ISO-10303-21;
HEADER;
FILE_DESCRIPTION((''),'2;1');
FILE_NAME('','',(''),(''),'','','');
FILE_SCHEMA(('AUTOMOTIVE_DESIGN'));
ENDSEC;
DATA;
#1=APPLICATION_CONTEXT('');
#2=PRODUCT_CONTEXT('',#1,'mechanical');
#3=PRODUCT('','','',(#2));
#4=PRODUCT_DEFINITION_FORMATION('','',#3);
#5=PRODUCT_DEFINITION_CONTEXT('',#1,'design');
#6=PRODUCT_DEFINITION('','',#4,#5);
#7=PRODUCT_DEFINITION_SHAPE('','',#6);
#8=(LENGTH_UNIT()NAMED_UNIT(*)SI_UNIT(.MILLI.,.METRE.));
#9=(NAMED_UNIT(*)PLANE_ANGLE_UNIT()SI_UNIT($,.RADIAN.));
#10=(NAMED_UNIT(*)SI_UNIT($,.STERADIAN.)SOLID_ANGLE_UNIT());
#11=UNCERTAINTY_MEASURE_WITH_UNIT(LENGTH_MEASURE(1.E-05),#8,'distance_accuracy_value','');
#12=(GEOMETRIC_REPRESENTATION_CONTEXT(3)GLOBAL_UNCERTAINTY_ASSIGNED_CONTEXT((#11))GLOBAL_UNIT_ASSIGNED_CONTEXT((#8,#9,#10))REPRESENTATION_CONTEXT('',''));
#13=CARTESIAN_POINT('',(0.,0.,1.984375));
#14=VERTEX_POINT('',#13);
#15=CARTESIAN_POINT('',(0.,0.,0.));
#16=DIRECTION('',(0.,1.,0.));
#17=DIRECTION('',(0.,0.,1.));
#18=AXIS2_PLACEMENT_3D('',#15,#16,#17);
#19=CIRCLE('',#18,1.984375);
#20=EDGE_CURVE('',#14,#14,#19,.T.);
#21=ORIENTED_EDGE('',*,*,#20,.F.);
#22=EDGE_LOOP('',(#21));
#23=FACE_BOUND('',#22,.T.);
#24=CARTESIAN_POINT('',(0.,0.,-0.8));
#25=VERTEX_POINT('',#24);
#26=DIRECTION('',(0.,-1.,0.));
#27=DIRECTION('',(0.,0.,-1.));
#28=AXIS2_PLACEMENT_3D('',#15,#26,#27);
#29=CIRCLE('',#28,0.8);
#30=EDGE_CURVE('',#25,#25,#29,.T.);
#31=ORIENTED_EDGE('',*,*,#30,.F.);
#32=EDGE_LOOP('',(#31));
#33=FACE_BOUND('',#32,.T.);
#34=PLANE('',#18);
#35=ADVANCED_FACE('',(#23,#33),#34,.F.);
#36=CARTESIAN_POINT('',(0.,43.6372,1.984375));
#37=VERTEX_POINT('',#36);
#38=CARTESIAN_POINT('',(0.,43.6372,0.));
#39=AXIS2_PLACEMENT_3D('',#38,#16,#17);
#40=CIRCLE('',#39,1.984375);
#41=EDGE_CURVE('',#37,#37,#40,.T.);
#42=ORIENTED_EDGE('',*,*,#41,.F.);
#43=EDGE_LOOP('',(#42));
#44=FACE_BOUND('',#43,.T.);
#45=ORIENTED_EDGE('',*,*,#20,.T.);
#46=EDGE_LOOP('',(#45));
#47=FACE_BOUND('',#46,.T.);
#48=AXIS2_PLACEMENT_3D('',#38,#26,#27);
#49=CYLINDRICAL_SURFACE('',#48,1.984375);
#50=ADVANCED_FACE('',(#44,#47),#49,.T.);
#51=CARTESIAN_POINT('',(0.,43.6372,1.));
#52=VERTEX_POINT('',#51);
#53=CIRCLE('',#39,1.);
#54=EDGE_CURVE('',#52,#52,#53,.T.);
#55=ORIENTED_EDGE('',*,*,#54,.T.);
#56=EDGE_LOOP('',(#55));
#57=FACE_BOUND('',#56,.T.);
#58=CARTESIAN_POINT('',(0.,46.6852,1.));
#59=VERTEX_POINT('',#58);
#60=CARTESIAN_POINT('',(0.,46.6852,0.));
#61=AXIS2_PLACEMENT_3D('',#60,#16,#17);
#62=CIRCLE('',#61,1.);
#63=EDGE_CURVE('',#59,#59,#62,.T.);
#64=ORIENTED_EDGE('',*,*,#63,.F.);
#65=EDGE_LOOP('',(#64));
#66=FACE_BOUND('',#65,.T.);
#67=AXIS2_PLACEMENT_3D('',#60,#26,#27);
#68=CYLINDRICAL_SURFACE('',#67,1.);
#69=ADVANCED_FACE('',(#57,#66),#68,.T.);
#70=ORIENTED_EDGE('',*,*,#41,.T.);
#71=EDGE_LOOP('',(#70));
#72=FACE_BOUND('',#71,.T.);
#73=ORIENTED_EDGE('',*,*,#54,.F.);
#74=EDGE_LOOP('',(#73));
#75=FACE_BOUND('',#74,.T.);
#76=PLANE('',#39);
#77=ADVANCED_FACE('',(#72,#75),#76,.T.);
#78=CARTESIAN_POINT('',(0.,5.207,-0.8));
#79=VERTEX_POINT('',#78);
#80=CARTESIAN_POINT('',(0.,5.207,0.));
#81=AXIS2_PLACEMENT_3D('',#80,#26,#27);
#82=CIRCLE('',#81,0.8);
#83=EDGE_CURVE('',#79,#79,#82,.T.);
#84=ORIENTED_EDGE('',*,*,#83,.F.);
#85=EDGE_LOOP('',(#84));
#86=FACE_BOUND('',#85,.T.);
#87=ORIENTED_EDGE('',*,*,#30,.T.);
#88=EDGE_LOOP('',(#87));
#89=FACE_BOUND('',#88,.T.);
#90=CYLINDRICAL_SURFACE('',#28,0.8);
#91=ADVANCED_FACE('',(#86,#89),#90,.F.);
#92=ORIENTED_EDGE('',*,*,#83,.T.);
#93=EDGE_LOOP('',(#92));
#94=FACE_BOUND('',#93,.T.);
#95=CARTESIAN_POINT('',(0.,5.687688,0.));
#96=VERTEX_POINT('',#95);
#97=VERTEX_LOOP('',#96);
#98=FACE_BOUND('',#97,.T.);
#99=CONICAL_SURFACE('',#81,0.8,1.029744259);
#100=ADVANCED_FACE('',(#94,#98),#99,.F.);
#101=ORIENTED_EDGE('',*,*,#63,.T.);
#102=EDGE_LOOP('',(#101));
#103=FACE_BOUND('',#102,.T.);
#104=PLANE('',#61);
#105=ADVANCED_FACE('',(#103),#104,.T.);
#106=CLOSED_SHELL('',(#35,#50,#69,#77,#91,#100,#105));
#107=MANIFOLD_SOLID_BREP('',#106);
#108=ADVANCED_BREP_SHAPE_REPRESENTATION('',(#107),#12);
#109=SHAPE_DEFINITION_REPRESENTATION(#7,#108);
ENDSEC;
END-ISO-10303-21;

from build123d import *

# Parameters (mm, degrees)
SKETCH2_R                 = 1.984375
BOSS_EXTRUDE1_DEPTH       = 43.6372
SKETCH3_R                 = 1
BOSS_EXTRUDE2_DEPTH       = 3.048
M2X0_4_TAPPED_HOLE1_D     = 1.6
M2X0_4_TAPPED_HOLE1_DEPTH = 5.207
M2X0_4_TAPPED_HOLE1_TIP   = 0.480688495


with BuildPart() as part:
    # Sketch2 → Boss-Extrude1 (new body)
    with BuildSketch(Plane(origin=(0, 0, 0), x_dir=(1, 0, 0), z_dir=(0, 1, 0))):
        Circle(SKETCH2_R)
    extrude(amount=BOSS_EXTRUDE1_DEPTH)

    # Sketch3 → Boss-Extrude2 (add)
    with BuildSketch(Plane(origin=(0, 43.6372, 0), x_dir=(1, 0, 0), z_dir=(0, 1, 0))):
        Circle(SKETCH3_R)
    extrude(amount=BOSS_EXTRUDE2_DEPTH)

    # M2x0.4 Tapped Hole1
    with Locations(Plane(origin=(0, 0, 0), x_dir=(-1, 0, 0), z_dir=(0, -1, 0))):
        with Locations((0, 0)):
            Hole(M2X0_4_TAPPED_HOLE1_D / 2, depth=M2X0_4_TAPPED_HOLE1_DEPTH)
            with Locations((0, 0, -(M2X0_4_TAPPED_HOLE1_DEPTH + M2X0_4_TAPPED_HOLE1_TIP / 2))):  # 118° drill point
                Cone(0, M2X0_4_TAPPED_HOLE1_D / 2, M2X0_4_TAPPED_HOLE1_TIP, mode=Mode.SUBTRACT)


solid = part.part
